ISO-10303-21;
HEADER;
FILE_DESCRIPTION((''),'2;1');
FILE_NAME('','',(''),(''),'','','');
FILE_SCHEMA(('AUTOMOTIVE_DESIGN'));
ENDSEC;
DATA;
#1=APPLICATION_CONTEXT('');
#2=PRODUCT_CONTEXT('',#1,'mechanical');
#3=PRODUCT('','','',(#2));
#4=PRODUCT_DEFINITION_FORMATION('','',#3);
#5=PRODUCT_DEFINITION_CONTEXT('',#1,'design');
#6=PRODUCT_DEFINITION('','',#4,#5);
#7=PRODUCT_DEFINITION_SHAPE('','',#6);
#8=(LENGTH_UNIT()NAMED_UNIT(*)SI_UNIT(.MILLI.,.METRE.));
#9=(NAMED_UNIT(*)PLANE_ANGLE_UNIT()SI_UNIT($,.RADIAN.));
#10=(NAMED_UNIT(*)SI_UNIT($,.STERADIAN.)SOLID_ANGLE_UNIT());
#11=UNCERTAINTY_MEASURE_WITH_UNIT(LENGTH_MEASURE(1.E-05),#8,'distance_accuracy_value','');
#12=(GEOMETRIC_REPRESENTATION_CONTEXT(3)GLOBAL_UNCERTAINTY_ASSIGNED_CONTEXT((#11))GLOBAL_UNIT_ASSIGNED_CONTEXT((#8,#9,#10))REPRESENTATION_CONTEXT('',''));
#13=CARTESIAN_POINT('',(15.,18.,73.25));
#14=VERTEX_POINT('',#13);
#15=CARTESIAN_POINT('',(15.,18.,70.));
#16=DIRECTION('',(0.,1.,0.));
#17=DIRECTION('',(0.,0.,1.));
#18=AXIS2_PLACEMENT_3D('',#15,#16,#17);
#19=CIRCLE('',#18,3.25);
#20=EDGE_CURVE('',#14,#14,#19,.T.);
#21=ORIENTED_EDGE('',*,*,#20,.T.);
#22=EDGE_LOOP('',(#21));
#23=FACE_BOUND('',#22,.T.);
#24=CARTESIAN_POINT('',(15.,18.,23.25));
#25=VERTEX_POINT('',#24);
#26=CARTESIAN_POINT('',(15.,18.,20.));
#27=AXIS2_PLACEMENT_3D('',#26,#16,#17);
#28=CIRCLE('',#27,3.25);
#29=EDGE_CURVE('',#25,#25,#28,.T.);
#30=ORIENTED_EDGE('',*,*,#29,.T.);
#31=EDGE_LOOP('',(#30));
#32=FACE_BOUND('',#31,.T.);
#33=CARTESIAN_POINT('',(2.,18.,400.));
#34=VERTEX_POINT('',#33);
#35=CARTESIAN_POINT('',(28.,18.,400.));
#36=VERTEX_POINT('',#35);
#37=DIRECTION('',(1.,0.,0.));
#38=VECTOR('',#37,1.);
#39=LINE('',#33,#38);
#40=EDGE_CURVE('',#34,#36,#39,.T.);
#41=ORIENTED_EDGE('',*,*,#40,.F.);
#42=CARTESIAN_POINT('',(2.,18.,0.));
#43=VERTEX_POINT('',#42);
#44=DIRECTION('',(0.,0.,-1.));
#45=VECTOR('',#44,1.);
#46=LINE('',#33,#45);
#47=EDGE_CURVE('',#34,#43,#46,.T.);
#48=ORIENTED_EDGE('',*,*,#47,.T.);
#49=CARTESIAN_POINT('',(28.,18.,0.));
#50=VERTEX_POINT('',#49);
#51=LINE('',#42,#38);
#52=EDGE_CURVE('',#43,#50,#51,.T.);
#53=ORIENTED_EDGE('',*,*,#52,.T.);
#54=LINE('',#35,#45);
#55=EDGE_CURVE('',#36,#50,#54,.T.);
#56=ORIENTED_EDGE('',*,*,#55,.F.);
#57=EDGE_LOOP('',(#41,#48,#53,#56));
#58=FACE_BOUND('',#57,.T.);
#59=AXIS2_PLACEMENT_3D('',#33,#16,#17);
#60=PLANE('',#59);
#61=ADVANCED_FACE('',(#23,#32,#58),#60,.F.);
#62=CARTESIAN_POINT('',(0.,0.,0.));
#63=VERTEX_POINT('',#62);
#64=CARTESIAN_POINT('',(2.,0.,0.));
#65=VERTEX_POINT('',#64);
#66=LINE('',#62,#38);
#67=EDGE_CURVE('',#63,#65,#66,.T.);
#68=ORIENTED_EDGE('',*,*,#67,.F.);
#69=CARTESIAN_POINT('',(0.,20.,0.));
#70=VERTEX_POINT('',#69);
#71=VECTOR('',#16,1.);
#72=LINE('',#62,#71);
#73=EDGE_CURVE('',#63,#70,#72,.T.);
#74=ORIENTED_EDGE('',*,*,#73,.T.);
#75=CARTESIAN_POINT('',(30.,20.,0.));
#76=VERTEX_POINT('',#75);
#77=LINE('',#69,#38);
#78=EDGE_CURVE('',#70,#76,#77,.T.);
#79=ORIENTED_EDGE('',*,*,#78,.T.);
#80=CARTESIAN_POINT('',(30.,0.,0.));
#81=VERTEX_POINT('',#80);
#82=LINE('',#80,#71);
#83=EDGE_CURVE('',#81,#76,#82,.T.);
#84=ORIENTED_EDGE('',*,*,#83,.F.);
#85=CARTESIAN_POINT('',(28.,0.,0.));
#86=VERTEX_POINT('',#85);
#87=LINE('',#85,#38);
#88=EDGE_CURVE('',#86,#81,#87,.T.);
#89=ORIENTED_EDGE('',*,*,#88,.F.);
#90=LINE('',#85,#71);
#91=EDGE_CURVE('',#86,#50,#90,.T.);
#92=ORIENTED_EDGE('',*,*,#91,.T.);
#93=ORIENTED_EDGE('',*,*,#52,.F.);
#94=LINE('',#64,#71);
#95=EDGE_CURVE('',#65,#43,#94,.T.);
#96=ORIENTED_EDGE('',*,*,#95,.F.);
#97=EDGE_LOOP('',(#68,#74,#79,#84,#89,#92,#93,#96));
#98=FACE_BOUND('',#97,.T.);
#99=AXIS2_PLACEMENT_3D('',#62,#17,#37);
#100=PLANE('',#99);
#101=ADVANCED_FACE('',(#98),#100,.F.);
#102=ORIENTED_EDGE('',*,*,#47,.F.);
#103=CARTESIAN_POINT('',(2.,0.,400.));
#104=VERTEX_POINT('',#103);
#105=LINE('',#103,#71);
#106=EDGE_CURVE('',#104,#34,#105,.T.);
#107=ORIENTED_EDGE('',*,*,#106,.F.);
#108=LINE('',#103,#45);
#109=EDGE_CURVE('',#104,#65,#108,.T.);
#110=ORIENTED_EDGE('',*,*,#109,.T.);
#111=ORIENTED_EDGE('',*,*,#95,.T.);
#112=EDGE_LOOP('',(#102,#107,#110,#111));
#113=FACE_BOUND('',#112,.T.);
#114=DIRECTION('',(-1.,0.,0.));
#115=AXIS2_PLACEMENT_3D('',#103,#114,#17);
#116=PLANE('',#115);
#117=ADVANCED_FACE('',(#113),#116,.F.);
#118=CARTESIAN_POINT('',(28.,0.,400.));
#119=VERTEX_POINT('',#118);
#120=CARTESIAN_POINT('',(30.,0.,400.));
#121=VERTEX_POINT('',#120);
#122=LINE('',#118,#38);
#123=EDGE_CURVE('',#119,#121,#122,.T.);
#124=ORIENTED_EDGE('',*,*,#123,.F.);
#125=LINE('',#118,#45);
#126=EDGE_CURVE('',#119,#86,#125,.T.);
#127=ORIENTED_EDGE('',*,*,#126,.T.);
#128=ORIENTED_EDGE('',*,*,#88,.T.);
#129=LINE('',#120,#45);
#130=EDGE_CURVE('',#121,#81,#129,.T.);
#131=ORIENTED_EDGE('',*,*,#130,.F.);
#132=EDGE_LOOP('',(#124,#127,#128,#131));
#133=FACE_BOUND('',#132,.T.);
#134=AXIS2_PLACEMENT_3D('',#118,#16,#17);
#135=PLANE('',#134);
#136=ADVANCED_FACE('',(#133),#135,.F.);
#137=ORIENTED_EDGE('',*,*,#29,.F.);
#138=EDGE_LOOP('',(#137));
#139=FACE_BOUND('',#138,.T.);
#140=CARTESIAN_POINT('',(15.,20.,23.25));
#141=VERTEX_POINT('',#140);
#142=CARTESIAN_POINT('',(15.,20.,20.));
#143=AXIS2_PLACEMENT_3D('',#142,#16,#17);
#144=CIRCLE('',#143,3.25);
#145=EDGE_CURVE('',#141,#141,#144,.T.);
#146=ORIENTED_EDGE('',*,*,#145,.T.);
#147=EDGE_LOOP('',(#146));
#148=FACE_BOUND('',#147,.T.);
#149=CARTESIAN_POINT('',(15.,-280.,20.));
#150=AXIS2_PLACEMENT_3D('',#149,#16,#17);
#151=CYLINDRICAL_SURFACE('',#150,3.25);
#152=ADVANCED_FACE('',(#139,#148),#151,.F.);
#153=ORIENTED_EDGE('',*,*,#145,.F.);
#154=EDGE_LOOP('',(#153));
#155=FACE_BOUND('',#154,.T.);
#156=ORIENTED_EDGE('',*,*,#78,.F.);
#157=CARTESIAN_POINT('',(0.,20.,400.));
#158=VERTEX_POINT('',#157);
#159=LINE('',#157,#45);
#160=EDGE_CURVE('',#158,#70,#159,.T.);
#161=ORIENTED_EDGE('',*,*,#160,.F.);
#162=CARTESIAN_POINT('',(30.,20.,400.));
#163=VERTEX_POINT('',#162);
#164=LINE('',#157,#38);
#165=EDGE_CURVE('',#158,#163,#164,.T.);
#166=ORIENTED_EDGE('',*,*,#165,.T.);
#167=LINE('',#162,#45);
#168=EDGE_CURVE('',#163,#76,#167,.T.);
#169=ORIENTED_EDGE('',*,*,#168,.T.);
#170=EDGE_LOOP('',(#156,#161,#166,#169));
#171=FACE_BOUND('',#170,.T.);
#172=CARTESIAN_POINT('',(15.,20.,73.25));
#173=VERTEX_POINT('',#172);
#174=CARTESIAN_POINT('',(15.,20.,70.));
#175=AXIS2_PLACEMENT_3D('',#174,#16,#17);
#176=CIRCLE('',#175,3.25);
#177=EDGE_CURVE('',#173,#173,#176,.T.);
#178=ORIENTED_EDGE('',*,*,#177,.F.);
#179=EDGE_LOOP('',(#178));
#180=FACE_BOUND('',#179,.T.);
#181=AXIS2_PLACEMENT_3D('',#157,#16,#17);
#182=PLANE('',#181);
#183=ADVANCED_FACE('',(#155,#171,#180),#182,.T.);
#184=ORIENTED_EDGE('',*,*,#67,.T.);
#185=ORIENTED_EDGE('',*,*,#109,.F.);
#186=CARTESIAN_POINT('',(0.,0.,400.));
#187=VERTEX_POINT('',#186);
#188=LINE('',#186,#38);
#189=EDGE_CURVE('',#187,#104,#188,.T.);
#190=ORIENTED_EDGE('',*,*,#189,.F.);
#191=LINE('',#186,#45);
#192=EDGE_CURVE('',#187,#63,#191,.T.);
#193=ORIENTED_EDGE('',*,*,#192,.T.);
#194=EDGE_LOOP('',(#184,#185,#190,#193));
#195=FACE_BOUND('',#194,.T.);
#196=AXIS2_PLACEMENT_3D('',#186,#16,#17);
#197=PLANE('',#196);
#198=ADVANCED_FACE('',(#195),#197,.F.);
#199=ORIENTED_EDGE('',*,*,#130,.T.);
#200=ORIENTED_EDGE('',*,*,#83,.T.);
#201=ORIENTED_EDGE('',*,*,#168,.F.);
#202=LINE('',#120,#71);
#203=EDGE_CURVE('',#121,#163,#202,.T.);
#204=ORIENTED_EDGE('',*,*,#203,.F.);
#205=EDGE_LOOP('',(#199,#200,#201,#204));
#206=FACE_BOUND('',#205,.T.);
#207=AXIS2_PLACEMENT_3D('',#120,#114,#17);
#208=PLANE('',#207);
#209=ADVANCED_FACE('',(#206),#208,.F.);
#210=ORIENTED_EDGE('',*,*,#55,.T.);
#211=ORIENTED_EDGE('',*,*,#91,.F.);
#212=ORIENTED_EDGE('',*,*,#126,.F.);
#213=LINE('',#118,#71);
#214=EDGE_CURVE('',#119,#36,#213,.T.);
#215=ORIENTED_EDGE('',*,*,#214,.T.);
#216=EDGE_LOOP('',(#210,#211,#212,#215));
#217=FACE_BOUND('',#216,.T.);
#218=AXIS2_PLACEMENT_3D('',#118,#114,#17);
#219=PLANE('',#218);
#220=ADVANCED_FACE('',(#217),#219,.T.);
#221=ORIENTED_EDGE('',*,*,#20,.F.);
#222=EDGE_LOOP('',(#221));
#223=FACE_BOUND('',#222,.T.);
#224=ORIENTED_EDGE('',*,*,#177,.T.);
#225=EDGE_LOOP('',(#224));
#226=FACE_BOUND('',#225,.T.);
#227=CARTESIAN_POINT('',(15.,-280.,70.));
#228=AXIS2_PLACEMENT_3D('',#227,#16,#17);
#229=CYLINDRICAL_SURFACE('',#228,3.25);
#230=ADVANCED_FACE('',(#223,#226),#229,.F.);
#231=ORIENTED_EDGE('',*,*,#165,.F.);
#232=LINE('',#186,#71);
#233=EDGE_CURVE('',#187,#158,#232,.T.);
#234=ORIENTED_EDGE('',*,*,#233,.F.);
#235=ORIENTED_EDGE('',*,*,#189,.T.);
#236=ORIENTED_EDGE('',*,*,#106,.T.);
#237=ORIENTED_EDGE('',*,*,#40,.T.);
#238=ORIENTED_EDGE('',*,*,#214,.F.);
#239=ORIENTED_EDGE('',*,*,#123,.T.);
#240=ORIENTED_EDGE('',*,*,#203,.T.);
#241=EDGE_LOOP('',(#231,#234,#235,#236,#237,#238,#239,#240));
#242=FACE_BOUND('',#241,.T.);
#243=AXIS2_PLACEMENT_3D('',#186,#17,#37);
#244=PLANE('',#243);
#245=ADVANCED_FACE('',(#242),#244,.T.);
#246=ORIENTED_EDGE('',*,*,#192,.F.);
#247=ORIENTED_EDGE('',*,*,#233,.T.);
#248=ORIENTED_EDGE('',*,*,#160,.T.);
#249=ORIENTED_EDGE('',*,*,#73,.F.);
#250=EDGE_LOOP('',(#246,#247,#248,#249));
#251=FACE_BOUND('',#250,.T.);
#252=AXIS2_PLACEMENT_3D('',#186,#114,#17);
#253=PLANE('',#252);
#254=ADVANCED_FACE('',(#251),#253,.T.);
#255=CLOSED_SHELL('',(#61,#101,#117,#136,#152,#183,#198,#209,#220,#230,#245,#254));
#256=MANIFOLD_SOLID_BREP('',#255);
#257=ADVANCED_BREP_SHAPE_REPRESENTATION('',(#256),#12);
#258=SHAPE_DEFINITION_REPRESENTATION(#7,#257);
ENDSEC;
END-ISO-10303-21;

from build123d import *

# Parameters (mm, degrees)
BOSS_EXTRUDE1_DEPTH = 400
SKETCH2_R           = 3.25
CUT_EXTRUDE1_DEPTH  = 300


with BuildPart() as part:
    # Sketch1 → Boss-Extrude1 (new body)
    with BuildSketch(Plane.XY):
        Polygon((28, 0), (30, 0), (30, 20), (0, 20), (0, 0), (2, 0), (2, 18), (28, 18), align=None)
    extrude(amount=BOSS_EXTRUDE1_DEPTH)

    # Sketch2 → Cut-Extrude1 (cut)
    with BuildSketch(Plane(origin=(0, 20, 0), x_dir=(1, 0, 0), z_dir=(0, 1, 0))):
        with Locations(Location((15, -70, 0), (0, 0, 270))):
            Circle(SKETCH2_R)
        with Locations(Location((15, -20, 0), (0, 0, 270))):
            Circle(SKETCH2_R)
    extrude(amount=-CUT_EXTRUDE1_DEPTH, mode=Mode.SUBTRACT)


solid = part.part
